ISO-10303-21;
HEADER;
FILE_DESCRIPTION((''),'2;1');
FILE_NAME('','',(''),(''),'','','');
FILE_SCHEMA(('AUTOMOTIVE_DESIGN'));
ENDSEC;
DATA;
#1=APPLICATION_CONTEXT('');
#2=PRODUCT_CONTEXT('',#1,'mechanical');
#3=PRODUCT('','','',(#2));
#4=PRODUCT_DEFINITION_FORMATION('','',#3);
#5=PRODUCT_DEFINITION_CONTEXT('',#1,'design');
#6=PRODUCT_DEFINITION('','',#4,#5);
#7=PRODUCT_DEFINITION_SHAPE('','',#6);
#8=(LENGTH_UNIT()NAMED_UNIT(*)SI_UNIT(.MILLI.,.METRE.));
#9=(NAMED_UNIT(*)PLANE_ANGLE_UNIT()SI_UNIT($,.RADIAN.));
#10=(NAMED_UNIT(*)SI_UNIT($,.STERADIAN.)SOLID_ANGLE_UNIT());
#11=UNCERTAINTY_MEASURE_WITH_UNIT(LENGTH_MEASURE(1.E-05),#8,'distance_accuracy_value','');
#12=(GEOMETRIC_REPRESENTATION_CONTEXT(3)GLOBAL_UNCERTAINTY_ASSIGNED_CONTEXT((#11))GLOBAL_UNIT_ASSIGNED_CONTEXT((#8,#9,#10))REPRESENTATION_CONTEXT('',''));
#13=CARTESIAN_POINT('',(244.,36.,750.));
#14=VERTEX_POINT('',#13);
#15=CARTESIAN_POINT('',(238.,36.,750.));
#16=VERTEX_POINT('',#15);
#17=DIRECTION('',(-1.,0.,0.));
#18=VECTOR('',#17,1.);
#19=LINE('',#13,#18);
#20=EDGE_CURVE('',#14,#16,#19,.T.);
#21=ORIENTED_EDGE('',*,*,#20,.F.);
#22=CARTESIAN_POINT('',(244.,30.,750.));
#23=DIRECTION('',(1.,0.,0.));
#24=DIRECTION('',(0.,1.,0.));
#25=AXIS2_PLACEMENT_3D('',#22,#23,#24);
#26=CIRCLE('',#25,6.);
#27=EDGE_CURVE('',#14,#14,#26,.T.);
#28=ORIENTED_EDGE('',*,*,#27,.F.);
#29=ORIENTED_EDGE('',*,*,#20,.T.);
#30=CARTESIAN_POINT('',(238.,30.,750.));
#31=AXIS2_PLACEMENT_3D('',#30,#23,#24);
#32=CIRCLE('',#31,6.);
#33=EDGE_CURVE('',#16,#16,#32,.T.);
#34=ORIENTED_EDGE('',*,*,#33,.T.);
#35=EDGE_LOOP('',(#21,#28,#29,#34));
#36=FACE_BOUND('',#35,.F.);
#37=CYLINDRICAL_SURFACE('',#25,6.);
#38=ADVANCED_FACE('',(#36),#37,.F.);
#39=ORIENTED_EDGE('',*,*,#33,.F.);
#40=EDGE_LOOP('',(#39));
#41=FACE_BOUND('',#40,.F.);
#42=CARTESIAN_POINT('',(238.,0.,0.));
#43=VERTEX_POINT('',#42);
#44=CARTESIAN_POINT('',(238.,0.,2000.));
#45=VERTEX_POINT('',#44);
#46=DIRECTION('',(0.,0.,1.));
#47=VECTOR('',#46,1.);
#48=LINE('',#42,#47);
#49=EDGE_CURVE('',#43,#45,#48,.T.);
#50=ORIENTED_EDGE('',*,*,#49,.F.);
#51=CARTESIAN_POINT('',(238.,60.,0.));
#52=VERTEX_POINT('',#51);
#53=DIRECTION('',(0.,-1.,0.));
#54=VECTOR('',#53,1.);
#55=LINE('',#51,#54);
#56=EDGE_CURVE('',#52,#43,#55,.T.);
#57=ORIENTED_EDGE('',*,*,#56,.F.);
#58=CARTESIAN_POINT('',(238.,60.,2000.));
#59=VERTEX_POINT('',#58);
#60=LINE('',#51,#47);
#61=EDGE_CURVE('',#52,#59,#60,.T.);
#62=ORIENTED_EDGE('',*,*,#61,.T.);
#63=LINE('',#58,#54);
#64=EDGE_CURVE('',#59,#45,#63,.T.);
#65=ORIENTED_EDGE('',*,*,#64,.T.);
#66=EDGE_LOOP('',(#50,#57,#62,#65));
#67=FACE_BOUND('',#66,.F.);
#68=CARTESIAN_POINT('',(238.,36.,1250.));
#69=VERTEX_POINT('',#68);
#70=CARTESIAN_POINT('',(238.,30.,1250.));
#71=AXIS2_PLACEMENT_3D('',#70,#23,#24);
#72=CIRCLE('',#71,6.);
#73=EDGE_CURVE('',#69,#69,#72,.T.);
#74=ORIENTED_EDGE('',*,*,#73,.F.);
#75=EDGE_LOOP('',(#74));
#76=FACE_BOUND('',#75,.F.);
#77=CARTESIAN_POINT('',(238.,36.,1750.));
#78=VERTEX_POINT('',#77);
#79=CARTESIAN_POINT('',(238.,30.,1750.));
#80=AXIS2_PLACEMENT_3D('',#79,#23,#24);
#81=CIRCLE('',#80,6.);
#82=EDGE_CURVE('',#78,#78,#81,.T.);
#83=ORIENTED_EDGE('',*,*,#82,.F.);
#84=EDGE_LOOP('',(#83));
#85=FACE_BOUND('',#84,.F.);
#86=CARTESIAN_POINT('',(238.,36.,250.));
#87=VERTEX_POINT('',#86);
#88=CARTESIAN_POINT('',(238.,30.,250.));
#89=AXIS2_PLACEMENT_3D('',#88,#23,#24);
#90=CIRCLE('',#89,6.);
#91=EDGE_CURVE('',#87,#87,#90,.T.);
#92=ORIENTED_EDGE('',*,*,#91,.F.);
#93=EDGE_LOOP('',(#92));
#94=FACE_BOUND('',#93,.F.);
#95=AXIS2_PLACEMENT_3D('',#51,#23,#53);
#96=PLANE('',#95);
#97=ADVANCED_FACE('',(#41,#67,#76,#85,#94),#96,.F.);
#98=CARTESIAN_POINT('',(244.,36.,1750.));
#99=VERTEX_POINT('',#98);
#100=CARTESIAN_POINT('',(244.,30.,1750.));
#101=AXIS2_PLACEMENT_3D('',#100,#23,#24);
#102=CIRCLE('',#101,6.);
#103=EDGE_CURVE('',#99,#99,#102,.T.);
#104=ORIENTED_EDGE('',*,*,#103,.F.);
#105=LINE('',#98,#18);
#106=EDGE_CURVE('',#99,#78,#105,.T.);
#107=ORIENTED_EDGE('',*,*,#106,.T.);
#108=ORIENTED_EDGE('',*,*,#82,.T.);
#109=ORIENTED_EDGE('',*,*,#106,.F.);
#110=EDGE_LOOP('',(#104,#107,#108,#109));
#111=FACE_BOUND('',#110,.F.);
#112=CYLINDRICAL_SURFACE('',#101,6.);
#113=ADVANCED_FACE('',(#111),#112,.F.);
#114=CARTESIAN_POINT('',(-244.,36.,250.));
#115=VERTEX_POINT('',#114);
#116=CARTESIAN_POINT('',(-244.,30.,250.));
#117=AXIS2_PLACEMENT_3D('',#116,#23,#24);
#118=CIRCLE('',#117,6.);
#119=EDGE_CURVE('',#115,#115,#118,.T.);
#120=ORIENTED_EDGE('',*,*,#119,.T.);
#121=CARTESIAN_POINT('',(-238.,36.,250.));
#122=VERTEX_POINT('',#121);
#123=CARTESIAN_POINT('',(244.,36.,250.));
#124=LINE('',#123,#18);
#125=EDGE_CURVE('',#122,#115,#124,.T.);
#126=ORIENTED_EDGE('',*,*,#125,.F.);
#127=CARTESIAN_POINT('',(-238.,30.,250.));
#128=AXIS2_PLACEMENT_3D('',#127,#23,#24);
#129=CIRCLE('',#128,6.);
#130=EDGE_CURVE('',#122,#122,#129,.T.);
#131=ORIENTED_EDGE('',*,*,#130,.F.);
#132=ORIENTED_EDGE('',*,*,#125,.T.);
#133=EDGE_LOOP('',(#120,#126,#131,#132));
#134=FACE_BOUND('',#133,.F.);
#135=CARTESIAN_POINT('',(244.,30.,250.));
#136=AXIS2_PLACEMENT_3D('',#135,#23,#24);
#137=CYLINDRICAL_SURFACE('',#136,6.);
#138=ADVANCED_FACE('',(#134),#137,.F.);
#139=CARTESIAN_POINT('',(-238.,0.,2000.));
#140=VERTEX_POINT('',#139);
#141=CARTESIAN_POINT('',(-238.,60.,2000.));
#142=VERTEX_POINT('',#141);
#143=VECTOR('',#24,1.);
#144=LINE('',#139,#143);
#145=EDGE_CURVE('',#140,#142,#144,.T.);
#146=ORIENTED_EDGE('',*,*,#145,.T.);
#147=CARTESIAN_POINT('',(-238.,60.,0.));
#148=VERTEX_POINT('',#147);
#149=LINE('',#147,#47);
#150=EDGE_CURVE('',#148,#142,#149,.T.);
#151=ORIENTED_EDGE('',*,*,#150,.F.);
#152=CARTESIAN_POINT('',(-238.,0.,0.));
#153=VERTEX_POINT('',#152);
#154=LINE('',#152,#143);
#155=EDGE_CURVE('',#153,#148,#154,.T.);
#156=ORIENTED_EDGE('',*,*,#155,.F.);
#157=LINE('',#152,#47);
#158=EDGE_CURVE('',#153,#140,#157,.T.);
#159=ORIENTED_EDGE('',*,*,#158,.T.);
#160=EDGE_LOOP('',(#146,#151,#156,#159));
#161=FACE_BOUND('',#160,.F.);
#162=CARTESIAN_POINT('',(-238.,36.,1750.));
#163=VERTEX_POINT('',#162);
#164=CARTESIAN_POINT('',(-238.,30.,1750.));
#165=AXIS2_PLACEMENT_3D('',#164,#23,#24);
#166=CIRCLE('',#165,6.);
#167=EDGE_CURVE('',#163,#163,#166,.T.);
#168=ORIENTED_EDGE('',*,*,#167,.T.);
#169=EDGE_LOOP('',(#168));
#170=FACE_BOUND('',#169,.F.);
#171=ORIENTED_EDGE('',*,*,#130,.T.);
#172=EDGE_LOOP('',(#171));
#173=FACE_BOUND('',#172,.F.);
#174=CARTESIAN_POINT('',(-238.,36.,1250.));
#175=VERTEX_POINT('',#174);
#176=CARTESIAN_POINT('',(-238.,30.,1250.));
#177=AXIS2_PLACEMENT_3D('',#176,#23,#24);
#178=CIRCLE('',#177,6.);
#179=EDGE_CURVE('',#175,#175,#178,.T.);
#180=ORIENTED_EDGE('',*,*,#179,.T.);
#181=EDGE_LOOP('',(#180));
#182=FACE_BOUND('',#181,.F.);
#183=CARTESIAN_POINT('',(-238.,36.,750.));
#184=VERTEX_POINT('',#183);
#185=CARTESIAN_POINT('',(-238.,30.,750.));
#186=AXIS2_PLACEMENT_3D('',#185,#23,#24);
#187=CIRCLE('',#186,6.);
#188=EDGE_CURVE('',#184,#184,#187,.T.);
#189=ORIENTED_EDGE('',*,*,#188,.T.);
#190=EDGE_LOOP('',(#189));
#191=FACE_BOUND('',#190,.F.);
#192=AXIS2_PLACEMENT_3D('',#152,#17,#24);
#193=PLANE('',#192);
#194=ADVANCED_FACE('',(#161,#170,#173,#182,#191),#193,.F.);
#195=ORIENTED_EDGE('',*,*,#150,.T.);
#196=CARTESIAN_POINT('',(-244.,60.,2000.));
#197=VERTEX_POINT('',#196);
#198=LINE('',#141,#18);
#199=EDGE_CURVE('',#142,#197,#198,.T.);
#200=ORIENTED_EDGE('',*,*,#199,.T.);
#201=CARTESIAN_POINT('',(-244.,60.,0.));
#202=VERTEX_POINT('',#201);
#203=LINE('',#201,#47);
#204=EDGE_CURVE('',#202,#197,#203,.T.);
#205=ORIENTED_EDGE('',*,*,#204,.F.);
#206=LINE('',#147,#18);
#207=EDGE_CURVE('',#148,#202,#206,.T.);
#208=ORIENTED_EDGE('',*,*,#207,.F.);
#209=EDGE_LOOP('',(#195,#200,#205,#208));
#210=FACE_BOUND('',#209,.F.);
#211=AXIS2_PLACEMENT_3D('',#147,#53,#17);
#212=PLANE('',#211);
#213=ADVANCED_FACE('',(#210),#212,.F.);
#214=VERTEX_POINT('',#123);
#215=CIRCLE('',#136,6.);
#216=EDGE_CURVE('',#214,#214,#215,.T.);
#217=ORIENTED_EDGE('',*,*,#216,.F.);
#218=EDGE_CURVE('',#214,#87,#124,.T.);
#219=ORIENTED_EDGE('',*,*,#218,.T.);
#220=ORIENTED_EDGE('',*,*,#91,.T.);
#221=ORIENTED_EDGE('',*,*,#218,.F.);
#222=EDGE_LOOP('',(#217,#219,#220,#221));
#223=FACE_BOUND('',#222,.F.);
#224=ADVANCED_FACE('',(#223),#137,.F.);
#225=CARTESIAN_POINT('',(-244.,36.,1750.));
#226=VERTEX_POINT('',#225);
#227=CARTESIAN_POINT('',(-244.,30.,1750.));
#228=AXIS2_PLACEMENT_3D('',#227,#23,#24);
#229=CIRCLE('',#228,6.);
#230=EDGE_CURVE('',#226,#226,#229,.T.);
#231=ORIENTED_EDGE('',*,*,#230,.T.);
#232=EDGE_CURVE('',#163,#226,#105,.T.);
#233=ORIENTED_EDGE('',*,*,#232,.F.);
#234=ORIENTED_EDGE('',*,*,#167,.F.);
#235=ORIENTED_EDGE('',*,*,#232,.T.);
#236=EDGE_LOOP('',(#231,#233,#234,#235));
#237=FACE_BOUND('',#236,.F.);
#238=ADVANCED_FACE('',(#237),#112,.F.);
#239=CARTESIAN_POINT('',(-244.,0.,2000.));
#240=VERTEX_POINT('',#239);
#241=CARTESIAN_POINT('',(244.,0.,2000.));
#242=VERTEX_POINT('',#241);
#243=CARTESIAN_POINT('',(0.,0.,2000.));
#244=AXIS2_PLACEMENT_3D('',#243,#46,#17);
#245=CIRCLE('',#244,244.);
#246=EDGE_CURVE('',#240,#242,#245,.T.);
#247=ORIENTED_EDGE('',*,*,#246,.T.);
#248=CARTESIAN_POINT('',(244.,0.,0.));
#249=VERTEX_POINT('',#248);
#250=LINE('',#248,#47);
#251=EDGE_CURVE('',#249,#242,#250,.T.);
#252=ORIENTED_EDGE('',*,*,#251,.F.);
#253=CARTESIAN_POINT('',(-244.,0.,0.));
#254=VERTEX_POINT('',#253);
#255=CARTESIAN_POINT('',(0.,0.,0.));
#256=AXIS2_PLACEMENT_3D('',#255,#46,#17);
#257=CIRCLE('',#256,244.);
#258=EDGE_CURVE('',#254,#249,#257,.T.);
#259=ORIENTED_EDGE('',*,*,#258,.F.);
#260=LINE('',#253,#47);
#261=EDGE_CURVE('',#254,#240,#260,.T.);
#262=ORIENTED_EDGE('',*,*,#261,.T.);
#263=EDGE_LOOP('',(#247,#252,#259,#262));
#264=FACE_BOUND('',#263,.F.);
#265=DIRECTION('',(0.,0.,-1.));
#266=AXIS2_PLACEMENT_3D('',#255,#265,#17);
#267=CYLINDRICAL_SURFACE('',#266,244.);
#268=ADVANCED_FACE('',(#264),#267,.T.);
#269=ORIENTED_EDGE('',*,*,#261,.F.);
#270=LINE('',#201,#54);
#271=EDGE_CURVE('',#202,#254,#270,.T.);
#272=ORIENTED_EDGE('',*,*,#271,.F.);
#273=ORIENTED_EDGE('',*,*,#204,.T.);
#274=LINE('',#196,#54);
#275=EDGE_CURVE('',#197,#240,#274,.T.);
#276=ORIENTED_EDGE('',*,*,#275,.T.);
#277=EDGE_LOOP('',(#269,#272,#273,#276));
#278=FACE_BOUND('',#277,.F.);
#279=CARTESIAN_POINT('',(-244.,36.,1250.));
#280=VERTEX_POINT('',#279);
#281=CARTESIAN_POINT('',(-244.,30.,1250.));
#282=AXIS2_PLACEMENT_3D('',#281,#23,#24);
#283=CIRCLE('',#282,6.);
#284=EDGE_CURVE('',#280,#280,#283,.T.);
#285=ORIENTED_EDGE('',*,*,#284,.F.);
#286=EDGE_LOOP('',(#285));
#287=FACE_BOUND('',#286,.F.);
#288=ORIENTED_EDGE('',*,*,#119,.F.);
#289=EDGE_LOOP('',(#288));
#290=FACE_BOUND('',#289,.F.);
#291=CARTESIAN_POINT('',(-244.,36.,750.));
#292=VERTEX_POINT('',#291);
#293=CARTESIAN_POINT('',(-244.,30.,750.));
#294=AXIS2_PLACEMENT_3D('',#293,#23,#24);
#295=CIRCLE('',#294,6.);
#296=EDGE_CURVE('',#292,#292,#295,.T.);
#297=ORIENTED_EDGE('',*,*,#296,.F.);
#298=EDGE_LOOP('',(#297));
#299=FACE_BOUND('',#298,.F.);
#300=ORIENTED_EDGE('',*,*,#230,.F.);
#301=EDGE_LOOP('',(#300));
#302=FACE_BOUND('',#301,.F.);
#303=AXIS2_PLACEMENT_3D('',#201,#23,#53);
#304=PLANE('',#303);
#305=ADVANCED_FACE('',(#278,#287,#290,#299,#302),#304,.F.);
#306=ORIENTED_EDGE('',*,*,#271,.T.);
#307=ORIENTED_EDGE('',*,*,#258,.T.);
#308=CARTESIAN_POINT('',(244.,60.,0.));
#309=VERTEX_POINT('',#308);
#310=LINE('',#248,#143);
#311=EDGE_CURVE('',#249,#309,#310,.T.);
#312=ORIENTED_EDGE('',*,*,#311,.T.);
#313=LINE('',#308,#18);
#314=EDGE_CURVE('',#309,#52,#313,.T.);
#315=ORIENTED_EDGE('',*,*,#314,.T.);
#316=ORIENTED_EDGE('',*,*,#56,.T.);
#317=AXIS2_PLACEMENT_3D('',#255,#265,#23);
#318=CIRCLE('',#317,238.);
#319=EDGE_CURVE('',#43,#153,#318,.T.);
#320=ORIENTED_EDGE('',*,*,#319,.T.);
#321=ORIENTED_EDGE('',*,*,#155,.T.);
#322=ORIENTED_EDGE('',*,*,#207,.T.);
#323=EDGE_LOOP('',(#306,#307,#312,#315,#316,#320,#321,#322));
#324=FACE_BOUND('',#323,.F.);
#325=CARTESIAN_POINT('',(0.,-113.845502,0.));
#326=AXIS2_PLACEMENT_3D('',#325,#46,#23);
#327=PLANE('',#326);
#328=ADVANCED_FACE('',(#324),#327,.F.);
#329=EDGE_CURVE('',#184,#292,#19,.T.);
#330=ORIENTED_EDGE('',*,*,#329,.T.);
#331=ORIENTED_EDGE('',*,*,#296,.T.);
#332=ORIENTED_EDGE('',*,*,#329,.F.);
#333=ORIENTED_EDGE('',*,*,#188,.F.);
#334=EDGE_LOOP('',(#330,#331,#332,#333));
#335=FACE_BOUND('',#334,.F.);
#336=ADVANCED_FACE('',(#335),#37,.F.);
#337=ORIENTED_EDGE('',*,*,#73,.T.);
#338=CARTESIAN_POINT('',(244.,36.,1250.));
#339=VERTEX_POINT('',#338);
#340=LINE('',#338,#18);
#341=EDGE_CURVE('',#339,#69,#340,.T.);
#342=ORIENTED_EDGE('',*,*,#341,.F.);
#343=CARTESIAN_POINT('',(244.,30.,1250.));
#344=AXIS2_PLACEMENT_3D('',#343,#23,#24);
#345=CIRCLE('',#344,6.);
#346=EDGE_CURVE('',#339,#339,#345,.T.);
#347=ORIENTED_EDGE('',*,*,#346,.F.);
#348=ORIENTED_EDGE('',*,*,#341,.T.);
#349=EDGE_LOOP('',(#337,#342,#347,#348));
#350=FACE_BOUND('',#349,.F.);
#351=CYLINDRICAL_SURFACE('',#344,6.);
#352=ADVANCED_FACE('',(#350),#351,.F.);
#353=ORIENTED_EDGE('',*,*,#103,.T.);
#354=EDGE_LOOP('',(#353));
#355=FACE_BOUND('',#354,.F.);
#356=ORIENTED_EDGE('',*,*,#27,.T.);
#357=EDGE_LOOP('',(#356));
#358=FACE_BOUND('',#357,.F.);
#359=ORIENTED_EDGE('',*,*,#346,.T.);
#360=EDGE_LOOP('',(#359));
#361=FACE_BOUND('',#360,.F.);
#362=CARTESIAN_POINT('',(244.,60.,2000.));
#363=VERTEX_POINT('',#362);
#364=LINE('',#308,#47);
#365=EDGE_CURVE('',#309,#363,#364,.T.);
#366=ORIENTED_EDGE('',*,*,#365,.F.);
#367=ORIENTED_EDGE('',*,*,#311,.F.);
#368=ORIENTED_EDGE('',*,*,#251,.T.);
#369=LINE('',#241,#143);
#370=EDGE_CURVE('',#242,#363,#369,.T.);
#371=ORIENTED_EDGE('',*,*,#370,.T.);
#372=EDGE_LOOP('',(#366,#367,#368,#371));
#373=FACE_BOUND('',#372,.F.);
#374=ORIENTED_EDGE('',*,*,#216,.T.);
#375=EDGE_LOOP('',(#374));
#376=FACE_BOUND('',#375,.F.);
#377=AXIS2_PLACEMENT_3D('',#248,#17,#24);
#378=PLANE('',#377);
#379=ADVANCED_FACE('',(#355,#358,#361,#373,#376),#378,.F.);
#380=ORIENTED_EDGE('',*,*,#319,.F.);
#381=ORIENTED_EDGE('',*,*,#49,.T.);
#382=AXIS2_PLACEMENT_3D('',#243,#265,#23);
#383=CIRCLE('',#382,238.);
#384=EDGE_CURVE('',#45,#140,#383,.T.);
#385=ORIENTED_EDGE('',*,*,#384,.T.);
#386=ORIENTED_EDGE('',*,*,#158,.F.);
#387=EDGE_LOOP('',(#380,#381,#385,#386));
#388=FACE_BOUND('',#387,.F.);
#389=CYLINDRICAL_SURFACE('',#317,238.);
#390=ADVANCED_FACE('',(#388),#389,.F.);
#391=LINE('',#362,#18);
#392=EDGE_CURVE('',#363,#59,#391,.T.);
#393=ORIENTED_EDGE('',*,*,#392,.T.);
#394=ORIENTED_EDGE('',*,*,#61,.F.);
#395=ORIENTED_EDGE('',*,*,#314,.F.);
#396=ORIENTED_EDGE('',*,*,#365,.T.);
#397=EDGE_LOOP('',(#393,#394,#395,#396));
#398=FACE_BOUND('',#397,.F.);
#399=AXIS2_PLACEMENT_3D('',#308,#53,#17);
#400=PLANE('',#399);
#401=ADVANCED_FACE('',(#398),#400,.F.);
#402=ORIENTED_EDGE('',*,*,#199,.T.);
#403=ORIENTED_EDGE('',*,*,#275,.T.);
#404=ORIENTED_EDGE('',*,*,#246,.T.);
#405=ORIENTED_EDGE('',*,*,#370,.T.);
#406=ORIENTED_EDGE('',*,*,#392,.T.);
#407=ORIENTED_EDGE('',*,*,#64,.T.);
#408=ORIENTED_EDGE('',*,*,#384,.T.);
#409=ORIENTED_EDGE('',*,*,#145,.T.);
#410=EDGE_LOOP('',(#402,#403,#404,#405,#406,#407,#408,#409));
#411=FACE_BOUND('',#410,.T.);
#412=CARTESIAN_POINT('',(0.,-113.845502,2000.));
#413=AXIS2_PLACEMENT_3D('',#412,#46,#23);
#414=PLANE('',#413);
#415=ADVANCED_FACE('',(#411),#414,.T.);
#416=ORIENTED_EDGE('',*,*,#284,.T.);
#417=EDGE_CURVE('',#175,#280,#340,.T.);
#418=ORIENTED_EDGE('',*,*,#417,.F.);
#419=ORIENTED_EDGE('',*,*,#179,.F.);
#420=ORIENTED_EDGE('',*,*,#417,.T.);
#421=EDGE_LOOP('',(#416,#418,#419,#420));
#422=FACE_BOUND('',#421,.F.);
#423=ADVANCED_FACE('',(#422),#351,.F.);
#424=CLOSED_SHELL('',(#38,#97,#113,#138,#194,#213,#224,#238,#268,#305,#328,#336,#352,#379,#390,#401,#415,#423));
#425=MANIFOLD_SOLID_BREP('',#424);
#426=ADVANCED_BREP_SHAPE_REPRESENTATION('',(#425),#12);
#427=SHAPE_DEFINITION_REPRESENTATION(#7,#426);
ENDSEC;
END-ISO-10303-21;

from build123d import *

# Parameters (mm, degrees)
F1_DEPTH = 2000
F2_R     = 6
F3_DEPTH = 488.001


with BuildPart() as f1:
    # F0 (on Top) → F1 (new body)
    with BuildSketch(Plane.XY):
        with BuildLine():
            ThreePointArc((238, 0), (0, -238), (-238, 0))
            Line((-238, 0), (-238, 60))
            Line((-238, 60), (-244, 60))
            Line((-244, 60), (-244, 0))
            ThreePointArc((-244, 0), (0, -244), (244, 0))
            Line((244, 0), (244, 60))
            Line((244, 60), (238, 60))
            Line((238, 60), (238, 0))
        make_face()
    extrude(amount=F1_DEPTH)

    # F2 (on face) → F3 (cut, through all)
    with BuildSketch(Plane.YZ.offset(244)):
        with Locations((30, 1750)):
            Circle(F2_R)
        with Locations((30, 1250)):
            Circle(F2_R)
        with Locations((30, 750)):
            Circle(F2_R)
        with Locations((30, 250)):
            Circle(F2_R)
    extrude(amount=-F3_DEPTH, mode=Mode.SUBTRACT)


solid = f1.part
